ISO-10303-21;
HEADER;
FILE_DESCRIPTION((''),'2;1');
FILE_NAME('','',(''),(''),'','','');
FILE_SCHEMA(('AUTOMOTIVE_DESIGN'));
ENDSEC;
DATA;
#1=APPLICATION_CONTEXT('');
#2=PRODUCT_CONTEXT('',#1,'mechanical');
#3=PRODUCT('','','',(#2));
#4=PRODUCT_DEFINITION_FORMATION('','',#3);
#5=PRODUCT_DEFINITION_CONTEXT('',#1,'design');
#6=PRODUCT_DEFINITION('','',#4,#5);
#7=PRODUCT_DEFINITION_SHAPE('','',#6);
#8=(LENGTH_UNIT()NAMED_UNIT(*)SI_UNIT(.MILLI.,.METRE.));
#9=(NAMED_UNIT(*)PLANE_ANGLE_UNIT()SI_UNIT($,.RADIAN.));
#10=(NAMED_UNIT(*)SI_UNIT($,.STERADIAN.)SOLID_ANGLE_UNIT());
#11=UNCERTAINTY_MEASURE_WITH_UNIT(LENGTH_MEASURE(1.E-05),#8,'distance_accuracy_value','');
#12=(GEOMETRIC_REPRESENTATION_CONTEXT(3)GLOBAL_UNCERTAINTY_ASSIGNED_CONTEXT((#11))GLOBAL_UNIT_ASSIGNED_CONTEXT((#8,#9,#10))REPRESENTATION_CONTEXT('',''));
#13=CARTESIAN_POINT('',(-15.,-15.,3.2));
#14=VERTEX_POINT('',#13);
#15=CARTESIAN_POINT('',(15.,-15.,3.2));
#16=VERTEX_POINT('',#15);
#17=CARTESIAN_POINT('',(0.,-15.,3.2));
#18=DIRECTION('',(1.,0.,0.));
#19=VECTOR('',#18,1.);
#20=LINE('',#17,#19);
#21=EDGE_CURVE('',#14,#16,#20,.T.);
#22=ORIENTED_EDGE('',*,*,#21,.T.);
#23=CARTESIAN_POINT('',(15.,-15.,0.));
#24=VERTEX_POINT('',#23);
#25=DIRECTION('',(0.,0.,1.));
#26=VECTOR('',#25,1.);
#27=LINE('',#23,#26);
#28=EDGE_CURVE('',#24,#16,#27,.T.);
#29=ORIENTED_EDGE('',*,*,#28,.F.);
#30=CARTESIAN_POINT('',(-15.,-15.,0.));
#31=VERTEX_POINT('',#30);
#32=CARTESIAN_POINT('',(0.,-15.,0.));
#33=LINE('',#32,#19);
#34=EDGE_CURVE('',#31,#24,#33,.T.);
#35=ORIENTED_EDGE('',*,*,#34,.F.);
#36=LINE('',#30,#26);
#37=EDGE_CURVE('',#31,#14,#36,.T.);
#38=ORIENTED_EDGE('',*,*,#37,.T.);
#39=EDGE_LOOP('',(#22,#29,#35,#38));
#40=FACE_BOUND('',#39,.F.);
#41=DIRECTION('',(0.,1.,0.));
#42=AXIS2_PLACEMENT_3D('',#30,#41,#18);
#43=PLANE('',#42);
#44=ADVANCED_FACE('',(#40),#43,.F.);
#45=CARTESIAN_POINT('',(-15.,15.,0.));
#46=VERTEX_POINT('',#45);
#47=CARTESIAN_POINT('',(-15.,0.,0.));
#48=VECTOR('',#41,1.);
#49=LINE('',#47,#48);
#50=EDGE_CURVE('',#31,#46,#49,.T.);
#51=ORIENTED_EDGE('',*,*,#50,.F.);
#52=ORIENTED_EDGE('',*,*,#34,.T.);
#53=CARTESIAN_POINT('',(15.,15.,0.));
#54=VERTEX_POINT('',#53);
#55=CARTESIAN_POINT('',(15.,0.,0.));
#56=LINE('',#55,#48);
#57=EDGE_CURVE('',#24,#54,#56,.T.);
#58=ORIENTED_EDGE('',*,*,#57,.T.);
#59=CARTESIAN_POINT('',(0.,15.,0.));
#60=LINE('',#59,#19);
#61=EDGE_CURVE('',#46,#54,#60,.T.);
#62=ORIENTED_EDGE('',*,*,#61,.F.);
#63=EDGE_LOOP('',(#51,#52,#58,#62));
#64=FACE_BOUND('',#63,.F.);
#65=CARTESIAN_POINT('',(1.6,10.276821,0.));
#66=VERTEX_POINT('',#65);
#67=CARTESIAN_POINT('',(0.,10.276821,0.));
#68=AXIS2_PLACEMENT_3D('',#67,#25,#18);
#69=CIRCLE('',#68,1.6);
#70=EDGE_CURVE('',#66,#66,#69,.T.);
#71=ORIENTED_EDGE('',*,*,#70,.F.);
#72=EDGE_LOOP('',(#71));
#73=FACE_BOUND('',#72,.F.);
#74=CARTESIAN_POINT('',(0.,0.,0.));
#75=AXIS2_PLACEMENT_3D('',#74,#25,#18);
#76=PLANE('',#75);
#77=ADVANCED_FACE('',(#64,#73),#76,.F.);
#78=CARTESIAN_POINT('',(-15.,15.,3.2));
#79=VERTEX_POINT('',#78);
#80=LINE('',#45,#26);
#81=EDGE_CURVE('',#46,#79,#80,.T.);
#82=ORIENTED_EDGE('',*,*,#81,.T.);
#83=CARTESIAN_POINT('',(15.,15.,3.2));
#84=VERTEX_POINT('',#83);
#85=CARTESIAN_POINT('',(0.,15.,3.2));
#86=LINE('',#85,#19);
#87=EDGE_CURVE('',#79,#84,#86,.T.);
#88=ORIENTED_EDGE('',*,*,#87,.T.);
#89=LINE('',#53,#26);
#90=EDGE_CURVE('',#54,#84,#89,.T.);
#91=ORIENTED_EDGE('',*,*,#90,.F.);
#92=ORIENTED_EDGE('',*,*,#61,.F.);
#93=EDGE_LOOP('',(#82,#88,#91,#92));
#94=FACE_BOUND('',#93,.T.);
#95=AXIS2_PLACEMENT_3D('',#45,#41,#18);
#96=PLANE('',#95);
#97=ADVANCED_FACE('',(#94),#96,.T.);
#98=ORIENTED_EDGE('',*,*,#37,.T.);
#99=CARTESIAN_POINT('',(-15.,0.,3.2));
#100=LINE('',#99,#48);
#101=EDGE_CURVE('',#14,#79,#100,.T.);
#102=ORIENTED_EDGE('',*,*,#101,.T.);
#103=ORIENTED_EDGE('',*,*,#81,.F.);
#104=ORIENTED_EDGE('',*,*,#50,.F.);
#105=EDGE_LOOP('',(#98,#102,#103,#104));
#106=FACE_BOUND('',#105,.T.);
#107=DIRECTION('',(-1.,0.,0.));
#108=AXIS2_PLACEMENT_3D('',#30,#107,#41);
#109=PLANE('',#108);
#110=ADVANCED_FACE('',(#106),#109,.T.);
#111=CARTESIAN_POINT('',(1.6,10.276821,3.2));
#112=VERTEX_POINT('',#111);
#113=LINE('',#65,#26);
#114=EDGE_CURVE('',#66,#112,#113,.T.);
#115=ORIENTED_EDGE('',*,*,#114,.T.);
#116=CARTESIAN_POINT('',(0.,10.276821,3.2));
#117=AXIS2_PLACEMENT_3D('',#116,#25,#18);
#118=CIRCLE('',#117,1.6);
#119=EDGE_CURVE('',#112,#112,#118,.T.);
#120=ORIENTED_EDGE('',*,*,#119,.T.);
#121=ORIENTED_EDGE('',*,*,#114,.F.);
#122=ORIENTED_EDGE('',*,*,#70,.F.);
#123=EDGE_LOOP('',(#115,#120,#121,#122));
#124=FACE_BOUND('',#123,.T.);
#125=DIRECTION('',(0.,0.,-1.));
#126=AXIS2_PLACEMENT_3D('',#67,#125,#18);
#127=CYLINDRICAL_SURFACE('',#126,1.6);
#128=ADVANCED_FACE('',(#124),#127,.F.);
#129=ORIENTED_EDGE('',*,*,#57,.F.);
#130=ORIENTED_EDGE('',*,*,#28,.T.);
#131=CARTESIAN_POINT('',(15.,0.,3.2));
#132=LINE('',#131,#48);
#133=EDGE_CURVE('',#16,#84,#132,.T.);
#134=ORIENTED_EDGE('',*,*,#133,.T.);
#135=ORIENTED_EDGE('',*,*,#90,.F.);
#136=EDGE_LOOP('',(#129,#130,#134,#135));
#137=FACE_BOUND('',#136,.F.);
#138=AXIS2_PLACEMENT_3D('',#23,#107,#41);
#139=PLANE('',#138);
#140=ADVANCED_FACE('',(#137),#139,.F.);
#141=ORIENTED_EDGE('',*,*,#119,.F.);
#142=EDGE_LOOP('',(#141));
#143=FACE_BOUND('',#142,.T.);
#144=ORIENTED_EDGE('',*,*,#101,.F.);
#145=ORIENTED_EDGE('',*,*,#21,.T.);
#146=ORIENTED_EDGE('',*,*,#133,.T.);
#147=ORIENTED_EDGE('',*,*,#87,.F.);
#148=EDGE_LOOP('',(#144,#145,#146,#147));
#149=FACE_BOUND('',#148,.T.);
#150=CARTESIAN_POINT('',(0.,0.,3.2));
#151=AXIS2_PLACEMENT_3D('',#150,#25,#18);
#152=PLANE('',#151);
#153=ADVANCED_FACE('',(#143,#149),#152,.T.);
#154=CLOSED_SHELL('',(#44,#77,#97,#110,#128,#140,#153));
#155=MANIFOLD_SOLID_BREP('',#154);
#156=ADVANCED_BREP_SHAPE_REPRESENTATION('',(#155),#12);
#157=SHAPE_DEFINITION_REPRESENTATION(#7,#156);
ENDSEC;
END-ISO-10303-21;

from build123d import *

# Parameters (mm, degrees)
F0_W     = 30
F0_H     = 30
F0_R     = 1.6
F1_DEPTH = 3.2
F2_DEPTH = 3.2


with BuildPart() as f1:
    # F0 (on Top) → F1 (new body)
    with BuildSketch(Plane.XY):
        Rectangle(F0_W, F0_H)
        with Locations((0, 10.276821)):
            Circle(F0_R, mode=Mode.SUBTRACT)
    extrude(amount=F1_DEPTH)

    # F0 (on Top) → F2 (join)
    with BuildSketch(Plane.XY):
        Rectangle(F0_W, F0_H)
        with Locations((0, 10.276821)):
            Circle(F0_R, mode=Mode.SUBTRACT)
    extrude(amount=F2_DEPTH)


solid = f1.part
